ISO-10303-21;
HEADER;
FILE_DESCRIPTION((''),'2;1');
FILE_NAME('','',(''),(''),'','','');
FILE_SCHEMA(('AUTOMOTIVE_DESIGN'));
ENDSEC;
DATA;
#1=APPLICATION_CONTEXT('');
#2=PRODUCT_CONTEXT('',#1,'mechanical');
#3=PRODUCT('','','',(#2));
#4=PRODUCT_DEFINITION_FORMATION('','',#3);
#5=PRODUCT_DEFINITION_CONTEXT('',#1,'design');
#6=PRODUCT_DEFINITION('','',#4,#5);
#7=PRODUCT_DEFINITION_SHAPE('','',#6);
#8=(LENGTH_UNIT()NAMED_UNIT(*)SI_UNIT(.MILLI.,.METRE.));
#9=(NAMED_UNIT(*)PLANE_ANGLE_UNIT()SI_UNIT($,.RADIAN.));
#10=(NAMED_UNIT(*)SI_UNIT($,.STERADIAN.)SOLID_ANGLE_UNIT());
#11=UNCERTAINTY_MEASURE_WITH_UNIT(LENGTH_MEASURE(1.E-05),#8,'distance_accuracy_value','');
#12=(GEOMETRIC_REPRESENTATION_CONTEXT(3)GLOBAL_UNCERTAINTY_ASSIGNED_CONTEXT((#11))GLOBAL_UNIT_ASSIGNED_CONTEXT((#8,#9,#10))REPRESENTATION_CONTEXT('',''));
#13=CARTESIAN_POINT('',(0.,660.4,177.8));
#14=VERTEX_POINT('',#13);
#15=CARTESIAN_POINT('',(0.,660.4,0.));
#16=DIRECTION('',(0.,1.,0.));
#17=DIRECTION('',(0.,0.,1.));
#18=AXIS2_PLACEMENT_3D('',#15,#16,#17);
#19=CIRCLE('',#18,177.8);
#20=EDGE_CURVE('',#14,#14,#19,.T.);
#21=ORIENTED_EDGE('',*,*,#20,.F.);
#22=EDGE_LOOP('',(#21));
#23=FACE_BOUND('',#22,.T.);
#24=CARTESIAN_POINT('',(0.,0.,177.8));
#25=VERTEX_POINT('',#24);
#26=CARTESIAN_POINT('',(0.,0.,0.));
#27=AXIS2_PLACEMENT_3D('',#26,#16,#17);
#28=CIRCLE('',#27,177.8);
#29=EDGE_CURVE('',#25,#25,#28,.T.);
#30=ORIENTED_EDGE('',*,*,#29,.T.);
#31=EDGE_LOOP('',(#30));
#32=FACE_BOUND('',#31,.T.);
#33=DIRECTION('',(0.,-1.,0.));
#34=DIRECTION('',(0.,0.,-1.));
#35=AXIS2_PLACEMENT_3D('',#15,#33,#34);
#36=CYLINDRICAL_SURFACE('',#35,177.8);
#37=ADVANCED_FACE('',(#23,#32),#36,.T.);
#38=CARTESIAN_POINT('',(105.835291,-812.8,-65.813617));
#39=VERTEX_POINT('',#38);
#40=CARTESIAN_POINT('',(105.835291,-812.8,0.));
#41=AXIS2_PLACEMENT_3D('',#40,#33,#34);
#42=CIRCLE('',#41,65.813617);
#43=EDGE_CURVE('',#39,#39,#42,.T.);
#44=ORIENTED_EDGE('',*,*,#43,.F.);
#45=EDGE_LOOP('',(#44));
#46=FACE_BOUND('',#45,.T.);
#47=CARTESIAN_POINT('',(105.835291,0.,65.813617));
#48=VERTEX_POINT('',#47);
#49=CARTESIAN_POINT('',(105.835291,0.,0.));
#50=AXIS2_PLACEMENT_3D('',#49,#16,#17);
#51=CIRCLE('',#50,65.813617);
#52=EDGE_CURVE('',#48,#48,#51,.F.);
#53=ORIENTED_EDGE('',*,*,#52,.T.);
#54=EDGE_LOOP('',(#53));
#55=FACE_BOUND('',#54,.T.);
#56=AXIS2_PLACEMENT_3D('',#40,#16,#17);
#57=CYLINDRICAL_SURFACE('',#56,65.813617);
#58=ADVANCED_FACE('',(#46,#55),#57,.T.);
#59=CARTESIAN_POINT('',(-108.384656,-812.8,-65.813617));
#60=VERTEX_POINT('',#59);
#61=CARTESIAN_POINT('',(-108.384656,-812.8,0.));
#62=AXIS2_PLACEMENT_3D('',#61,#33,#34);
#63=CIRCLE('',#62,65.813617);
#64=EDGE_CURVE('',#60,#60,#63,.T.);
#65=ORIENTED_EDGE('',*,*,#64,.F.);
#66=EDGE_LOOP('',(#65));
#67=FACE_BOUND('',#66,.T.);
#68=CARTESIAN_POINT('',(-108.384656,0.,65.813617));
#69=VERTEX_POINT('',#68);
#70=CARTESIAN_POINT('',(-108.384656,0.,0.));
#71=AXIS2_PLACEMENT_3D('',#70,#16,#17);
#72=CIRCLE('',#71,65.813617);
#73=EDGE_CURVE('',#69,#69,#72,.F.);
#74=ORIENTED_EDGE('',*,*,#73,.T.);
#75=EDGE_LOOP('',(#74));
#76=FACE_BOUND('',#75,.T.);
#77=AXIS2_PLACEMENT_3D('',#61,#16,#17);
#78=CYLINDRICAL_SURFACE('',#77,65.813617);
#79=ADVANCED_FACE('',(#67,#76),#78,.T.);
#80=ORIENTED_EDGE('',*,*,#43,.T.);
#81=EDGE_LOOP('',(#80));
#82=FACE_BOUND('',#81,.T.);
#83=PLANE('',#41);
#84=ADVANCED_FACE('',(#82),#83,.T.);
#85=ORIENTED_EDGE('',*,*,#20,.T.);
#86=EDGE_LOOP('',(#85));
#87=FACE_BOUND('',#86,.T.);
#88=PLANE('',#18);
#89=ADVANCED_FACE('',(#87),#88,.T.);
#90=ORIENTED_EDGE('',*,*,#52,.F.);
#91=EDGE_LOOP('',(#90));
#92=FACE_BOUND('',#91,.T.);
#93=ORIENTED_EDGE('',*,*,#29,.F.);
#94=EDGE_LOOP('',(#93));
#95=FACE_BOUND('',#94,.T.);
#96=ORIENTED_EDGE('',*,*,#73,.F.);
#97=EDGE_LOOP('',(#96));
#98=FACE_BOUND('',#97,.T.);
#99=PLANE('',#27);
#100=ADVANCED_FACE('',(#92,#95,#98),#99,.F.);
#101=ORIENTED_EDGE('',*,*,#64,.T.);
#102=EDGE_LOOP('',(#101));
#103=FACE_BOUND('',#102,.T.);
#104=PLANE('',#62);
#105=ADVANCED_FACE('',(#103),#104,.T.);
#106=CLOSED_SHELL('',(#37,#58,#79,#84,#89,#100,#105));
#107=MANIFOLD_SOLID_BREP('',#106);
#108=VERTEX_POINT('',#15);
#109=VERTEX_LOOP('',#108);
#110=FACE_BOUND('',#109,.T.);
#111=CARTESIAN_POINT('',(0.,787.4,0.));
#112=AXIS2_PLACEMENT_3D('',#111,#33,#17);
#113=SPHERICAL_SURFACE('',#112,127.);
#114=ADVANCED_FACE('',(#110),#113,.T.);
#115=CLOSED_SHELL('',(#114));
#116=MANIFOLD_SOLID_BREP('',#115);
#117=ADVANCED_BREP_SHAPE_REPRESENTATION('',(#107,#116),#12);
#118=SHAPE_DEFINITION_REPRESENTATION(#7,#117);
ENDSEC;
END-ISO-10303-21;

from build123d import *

# Parameters (mm, degrees)
SKETCH1_R           = 177.8
BOSS_EXTRUDE1_DEPTH = 660.4
SKETCH3_R           = 65.813617278
BOSS_EXTRUDE2_DEPTH = 812.8


with BuildPart() as part:
    # Sketch1 → Boss-Extrude1 (new body)
    with BuildSketch(Plane(origin=(0, 0, 0), x_dir=(1, 0, 0), z_dir=(0, 1, 0))):
        with Locations(Location((0, 0, 0), (0, 0, 270))):
            Circle(SKETCH1_R)
    extrude(amount=BOSS_EXTRUDE1_DEPTH)

    # Sketch3 → Boss-Extrude2 (add)
    with BuildSketch(Plane(origin=(0, 0, 0), x_dir=(-1, 0, 0), z_dir=(0, -1, 0))):
        with Locations(Location((108.384656073, 0, 0), (0, 0, 270))):
            Circle(SKETCH3_R)
        with Locations(Location((-105.835290589, 0, 0), (0, 0, 270))):
            Circle(SKETCH3_R)
    extrude(amount=BOSS_EXTRUDE2_DEPTH)


with BuildPart() as body_2:
    # Sketch2 → Revolve1 (revolve)
    with BuildSketch(Plane(origin=(0, 0, 0), x_dir=(0, 0, -1), z_dir=(1, 0, 0))):
        with BuildLine():
            Line((0, 914.4), (0, 660.4))
            ThreePointArc((0, 660.4), (127, 787.4), (0, 914.4))
        make_face()
    revolve(axis=Axis((0, 660.4, 0), (0, 1, 0)))


solid = Compound([part.part, body_2.part])
